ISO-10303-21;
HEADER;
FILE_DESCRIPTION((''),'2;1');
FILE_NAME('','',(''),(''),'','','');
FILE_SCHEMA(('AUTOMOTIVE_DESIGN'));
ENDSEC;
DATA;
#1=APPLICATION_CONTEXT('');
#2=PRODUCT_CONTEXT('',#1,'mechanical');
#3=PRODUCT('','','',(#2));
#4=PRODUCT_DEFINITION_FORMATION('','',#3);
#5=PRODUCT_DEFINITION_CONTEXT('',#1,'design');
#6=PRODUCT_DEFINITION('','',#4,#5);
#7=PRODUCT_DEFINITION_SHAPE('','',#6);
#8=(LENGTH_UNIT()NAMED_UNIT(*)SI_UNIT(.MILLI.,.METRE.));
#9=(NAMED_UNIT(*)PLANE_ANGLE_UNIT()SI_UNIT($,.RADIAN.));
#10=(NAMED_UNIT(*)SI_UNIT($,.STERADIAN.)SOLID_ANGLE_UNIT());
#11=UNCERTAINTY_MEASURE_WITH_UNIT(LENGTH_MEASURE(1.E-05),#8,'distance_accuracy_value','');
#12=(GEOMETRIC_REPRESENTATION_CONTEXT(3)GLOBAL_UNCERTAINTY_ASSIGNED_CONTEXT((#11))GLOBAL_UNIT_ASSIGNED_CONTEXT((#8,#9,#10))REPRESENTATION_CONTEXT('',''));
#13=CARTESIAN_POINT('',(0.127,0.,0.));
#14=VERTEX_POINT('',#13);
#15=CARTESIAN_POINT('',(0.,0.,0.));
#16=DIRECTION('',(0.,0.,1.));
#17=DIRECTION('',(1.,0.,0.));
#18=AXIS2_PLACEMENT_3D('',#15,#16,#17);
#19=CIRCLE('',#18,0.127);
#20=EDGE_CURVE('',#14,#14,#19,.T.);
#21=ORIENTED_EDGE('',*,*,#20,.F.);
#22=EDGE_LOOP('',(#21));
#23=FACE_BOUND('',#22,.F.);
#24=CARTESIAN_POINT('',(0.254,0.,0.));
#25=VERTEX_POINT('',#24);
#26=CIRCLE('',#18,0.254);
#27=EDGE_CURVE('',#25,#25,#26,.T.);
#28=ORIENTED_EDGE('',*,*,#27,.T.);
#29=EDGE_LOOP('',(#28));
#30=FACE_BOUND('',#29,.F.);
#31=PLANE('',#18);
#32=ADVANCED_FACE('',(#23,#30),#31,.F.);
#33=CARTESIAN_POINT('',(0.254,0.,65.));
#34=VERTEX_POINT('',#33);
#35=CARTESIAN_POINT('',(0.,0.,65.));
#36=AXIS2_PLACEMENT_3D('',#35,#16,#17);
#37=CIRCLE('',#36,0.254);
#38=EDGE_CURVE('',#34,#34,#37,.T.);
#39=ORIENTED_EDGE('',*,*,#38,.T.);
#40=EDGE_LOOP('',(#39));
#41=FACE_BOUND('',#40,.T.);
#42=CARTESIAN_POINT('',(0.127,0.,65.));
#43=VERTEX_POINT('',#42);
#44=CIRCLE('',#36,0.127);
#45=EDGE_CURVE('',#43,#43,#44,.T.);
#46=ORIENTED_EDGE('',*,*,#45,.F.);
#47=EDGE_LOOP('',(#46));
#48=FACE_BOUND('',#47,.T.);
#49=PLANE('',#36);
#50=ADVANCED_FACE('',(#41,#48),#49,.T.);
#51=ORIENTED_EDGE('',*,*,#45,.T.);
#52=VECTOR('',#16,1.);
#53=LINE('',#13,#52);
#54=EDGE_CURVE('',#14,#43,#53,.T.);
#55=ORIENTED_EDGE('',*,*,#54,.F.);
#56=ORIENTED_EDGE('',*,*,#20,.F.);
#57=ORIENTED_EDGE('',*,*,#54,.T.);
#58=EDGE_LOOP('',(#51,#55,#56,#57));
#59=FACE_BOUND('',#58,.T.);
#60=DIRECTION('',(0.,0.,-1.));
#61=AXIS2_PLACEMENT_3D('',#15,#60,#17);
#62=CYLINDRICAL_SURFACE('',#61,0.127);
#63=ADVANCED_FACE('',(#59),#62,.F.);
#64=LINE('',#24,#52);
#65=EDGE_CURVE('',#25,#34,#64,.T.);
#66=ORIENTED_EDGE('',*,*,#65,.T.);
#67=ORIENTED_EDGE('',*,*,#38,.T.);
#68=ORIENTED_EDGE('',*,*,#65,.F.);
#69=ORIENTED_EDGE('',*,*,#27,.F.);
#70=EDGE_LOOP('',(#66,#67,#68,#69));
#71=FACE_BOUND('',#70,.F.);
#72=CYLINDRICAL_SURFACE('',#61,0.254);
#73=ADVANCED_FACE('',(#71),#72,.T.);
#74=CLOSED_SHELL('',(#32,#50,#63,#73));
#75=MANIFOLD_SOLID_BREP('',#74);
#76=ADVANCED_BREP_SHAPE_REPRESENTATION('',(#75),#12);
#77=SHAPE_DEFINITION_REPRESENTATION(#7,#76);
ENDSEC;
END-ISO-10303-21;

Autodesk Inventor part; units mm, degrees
ref_plane "YZ Plane" through (0, 0, 0) normal (1, 0, 0) x (0, 1, 0)
ref_plane "XZ Plane" through (0, 0, 0) normal (0, 1, 0) x (-1, 0, 0)
ref_plane "XY Plane" through (0, 0, 0) normal (0, 0, 1) x (1, 0, 0)
sketch "Sketch1" plane through (0, 0, 0) normal (0, 0, 1) x (1, 0, 0)
  circle A0 centre (0, 0) radius 0.254
  circle A1 centre (0, 0) radius 0.127
  dimension "d0" = 0.508
  dimension "d1" = 0.254
extrude "Extrusion1" add sketch "Sketch1" along normal blind 65
equation "\"d2\" = OCTd0"
equation "\"OCToffset\" = 14.38"
equation "\"lOCTprobeNom\" = 58.38"
equation "\"OCTd0\" = 65"
equation "\"lAdapter\" = 8.38"
equation "\"dTop\" = 6"
equation "\"lOCTprobeTotal\" = 64.38"
properties part number "OCT_tubing_25G"
